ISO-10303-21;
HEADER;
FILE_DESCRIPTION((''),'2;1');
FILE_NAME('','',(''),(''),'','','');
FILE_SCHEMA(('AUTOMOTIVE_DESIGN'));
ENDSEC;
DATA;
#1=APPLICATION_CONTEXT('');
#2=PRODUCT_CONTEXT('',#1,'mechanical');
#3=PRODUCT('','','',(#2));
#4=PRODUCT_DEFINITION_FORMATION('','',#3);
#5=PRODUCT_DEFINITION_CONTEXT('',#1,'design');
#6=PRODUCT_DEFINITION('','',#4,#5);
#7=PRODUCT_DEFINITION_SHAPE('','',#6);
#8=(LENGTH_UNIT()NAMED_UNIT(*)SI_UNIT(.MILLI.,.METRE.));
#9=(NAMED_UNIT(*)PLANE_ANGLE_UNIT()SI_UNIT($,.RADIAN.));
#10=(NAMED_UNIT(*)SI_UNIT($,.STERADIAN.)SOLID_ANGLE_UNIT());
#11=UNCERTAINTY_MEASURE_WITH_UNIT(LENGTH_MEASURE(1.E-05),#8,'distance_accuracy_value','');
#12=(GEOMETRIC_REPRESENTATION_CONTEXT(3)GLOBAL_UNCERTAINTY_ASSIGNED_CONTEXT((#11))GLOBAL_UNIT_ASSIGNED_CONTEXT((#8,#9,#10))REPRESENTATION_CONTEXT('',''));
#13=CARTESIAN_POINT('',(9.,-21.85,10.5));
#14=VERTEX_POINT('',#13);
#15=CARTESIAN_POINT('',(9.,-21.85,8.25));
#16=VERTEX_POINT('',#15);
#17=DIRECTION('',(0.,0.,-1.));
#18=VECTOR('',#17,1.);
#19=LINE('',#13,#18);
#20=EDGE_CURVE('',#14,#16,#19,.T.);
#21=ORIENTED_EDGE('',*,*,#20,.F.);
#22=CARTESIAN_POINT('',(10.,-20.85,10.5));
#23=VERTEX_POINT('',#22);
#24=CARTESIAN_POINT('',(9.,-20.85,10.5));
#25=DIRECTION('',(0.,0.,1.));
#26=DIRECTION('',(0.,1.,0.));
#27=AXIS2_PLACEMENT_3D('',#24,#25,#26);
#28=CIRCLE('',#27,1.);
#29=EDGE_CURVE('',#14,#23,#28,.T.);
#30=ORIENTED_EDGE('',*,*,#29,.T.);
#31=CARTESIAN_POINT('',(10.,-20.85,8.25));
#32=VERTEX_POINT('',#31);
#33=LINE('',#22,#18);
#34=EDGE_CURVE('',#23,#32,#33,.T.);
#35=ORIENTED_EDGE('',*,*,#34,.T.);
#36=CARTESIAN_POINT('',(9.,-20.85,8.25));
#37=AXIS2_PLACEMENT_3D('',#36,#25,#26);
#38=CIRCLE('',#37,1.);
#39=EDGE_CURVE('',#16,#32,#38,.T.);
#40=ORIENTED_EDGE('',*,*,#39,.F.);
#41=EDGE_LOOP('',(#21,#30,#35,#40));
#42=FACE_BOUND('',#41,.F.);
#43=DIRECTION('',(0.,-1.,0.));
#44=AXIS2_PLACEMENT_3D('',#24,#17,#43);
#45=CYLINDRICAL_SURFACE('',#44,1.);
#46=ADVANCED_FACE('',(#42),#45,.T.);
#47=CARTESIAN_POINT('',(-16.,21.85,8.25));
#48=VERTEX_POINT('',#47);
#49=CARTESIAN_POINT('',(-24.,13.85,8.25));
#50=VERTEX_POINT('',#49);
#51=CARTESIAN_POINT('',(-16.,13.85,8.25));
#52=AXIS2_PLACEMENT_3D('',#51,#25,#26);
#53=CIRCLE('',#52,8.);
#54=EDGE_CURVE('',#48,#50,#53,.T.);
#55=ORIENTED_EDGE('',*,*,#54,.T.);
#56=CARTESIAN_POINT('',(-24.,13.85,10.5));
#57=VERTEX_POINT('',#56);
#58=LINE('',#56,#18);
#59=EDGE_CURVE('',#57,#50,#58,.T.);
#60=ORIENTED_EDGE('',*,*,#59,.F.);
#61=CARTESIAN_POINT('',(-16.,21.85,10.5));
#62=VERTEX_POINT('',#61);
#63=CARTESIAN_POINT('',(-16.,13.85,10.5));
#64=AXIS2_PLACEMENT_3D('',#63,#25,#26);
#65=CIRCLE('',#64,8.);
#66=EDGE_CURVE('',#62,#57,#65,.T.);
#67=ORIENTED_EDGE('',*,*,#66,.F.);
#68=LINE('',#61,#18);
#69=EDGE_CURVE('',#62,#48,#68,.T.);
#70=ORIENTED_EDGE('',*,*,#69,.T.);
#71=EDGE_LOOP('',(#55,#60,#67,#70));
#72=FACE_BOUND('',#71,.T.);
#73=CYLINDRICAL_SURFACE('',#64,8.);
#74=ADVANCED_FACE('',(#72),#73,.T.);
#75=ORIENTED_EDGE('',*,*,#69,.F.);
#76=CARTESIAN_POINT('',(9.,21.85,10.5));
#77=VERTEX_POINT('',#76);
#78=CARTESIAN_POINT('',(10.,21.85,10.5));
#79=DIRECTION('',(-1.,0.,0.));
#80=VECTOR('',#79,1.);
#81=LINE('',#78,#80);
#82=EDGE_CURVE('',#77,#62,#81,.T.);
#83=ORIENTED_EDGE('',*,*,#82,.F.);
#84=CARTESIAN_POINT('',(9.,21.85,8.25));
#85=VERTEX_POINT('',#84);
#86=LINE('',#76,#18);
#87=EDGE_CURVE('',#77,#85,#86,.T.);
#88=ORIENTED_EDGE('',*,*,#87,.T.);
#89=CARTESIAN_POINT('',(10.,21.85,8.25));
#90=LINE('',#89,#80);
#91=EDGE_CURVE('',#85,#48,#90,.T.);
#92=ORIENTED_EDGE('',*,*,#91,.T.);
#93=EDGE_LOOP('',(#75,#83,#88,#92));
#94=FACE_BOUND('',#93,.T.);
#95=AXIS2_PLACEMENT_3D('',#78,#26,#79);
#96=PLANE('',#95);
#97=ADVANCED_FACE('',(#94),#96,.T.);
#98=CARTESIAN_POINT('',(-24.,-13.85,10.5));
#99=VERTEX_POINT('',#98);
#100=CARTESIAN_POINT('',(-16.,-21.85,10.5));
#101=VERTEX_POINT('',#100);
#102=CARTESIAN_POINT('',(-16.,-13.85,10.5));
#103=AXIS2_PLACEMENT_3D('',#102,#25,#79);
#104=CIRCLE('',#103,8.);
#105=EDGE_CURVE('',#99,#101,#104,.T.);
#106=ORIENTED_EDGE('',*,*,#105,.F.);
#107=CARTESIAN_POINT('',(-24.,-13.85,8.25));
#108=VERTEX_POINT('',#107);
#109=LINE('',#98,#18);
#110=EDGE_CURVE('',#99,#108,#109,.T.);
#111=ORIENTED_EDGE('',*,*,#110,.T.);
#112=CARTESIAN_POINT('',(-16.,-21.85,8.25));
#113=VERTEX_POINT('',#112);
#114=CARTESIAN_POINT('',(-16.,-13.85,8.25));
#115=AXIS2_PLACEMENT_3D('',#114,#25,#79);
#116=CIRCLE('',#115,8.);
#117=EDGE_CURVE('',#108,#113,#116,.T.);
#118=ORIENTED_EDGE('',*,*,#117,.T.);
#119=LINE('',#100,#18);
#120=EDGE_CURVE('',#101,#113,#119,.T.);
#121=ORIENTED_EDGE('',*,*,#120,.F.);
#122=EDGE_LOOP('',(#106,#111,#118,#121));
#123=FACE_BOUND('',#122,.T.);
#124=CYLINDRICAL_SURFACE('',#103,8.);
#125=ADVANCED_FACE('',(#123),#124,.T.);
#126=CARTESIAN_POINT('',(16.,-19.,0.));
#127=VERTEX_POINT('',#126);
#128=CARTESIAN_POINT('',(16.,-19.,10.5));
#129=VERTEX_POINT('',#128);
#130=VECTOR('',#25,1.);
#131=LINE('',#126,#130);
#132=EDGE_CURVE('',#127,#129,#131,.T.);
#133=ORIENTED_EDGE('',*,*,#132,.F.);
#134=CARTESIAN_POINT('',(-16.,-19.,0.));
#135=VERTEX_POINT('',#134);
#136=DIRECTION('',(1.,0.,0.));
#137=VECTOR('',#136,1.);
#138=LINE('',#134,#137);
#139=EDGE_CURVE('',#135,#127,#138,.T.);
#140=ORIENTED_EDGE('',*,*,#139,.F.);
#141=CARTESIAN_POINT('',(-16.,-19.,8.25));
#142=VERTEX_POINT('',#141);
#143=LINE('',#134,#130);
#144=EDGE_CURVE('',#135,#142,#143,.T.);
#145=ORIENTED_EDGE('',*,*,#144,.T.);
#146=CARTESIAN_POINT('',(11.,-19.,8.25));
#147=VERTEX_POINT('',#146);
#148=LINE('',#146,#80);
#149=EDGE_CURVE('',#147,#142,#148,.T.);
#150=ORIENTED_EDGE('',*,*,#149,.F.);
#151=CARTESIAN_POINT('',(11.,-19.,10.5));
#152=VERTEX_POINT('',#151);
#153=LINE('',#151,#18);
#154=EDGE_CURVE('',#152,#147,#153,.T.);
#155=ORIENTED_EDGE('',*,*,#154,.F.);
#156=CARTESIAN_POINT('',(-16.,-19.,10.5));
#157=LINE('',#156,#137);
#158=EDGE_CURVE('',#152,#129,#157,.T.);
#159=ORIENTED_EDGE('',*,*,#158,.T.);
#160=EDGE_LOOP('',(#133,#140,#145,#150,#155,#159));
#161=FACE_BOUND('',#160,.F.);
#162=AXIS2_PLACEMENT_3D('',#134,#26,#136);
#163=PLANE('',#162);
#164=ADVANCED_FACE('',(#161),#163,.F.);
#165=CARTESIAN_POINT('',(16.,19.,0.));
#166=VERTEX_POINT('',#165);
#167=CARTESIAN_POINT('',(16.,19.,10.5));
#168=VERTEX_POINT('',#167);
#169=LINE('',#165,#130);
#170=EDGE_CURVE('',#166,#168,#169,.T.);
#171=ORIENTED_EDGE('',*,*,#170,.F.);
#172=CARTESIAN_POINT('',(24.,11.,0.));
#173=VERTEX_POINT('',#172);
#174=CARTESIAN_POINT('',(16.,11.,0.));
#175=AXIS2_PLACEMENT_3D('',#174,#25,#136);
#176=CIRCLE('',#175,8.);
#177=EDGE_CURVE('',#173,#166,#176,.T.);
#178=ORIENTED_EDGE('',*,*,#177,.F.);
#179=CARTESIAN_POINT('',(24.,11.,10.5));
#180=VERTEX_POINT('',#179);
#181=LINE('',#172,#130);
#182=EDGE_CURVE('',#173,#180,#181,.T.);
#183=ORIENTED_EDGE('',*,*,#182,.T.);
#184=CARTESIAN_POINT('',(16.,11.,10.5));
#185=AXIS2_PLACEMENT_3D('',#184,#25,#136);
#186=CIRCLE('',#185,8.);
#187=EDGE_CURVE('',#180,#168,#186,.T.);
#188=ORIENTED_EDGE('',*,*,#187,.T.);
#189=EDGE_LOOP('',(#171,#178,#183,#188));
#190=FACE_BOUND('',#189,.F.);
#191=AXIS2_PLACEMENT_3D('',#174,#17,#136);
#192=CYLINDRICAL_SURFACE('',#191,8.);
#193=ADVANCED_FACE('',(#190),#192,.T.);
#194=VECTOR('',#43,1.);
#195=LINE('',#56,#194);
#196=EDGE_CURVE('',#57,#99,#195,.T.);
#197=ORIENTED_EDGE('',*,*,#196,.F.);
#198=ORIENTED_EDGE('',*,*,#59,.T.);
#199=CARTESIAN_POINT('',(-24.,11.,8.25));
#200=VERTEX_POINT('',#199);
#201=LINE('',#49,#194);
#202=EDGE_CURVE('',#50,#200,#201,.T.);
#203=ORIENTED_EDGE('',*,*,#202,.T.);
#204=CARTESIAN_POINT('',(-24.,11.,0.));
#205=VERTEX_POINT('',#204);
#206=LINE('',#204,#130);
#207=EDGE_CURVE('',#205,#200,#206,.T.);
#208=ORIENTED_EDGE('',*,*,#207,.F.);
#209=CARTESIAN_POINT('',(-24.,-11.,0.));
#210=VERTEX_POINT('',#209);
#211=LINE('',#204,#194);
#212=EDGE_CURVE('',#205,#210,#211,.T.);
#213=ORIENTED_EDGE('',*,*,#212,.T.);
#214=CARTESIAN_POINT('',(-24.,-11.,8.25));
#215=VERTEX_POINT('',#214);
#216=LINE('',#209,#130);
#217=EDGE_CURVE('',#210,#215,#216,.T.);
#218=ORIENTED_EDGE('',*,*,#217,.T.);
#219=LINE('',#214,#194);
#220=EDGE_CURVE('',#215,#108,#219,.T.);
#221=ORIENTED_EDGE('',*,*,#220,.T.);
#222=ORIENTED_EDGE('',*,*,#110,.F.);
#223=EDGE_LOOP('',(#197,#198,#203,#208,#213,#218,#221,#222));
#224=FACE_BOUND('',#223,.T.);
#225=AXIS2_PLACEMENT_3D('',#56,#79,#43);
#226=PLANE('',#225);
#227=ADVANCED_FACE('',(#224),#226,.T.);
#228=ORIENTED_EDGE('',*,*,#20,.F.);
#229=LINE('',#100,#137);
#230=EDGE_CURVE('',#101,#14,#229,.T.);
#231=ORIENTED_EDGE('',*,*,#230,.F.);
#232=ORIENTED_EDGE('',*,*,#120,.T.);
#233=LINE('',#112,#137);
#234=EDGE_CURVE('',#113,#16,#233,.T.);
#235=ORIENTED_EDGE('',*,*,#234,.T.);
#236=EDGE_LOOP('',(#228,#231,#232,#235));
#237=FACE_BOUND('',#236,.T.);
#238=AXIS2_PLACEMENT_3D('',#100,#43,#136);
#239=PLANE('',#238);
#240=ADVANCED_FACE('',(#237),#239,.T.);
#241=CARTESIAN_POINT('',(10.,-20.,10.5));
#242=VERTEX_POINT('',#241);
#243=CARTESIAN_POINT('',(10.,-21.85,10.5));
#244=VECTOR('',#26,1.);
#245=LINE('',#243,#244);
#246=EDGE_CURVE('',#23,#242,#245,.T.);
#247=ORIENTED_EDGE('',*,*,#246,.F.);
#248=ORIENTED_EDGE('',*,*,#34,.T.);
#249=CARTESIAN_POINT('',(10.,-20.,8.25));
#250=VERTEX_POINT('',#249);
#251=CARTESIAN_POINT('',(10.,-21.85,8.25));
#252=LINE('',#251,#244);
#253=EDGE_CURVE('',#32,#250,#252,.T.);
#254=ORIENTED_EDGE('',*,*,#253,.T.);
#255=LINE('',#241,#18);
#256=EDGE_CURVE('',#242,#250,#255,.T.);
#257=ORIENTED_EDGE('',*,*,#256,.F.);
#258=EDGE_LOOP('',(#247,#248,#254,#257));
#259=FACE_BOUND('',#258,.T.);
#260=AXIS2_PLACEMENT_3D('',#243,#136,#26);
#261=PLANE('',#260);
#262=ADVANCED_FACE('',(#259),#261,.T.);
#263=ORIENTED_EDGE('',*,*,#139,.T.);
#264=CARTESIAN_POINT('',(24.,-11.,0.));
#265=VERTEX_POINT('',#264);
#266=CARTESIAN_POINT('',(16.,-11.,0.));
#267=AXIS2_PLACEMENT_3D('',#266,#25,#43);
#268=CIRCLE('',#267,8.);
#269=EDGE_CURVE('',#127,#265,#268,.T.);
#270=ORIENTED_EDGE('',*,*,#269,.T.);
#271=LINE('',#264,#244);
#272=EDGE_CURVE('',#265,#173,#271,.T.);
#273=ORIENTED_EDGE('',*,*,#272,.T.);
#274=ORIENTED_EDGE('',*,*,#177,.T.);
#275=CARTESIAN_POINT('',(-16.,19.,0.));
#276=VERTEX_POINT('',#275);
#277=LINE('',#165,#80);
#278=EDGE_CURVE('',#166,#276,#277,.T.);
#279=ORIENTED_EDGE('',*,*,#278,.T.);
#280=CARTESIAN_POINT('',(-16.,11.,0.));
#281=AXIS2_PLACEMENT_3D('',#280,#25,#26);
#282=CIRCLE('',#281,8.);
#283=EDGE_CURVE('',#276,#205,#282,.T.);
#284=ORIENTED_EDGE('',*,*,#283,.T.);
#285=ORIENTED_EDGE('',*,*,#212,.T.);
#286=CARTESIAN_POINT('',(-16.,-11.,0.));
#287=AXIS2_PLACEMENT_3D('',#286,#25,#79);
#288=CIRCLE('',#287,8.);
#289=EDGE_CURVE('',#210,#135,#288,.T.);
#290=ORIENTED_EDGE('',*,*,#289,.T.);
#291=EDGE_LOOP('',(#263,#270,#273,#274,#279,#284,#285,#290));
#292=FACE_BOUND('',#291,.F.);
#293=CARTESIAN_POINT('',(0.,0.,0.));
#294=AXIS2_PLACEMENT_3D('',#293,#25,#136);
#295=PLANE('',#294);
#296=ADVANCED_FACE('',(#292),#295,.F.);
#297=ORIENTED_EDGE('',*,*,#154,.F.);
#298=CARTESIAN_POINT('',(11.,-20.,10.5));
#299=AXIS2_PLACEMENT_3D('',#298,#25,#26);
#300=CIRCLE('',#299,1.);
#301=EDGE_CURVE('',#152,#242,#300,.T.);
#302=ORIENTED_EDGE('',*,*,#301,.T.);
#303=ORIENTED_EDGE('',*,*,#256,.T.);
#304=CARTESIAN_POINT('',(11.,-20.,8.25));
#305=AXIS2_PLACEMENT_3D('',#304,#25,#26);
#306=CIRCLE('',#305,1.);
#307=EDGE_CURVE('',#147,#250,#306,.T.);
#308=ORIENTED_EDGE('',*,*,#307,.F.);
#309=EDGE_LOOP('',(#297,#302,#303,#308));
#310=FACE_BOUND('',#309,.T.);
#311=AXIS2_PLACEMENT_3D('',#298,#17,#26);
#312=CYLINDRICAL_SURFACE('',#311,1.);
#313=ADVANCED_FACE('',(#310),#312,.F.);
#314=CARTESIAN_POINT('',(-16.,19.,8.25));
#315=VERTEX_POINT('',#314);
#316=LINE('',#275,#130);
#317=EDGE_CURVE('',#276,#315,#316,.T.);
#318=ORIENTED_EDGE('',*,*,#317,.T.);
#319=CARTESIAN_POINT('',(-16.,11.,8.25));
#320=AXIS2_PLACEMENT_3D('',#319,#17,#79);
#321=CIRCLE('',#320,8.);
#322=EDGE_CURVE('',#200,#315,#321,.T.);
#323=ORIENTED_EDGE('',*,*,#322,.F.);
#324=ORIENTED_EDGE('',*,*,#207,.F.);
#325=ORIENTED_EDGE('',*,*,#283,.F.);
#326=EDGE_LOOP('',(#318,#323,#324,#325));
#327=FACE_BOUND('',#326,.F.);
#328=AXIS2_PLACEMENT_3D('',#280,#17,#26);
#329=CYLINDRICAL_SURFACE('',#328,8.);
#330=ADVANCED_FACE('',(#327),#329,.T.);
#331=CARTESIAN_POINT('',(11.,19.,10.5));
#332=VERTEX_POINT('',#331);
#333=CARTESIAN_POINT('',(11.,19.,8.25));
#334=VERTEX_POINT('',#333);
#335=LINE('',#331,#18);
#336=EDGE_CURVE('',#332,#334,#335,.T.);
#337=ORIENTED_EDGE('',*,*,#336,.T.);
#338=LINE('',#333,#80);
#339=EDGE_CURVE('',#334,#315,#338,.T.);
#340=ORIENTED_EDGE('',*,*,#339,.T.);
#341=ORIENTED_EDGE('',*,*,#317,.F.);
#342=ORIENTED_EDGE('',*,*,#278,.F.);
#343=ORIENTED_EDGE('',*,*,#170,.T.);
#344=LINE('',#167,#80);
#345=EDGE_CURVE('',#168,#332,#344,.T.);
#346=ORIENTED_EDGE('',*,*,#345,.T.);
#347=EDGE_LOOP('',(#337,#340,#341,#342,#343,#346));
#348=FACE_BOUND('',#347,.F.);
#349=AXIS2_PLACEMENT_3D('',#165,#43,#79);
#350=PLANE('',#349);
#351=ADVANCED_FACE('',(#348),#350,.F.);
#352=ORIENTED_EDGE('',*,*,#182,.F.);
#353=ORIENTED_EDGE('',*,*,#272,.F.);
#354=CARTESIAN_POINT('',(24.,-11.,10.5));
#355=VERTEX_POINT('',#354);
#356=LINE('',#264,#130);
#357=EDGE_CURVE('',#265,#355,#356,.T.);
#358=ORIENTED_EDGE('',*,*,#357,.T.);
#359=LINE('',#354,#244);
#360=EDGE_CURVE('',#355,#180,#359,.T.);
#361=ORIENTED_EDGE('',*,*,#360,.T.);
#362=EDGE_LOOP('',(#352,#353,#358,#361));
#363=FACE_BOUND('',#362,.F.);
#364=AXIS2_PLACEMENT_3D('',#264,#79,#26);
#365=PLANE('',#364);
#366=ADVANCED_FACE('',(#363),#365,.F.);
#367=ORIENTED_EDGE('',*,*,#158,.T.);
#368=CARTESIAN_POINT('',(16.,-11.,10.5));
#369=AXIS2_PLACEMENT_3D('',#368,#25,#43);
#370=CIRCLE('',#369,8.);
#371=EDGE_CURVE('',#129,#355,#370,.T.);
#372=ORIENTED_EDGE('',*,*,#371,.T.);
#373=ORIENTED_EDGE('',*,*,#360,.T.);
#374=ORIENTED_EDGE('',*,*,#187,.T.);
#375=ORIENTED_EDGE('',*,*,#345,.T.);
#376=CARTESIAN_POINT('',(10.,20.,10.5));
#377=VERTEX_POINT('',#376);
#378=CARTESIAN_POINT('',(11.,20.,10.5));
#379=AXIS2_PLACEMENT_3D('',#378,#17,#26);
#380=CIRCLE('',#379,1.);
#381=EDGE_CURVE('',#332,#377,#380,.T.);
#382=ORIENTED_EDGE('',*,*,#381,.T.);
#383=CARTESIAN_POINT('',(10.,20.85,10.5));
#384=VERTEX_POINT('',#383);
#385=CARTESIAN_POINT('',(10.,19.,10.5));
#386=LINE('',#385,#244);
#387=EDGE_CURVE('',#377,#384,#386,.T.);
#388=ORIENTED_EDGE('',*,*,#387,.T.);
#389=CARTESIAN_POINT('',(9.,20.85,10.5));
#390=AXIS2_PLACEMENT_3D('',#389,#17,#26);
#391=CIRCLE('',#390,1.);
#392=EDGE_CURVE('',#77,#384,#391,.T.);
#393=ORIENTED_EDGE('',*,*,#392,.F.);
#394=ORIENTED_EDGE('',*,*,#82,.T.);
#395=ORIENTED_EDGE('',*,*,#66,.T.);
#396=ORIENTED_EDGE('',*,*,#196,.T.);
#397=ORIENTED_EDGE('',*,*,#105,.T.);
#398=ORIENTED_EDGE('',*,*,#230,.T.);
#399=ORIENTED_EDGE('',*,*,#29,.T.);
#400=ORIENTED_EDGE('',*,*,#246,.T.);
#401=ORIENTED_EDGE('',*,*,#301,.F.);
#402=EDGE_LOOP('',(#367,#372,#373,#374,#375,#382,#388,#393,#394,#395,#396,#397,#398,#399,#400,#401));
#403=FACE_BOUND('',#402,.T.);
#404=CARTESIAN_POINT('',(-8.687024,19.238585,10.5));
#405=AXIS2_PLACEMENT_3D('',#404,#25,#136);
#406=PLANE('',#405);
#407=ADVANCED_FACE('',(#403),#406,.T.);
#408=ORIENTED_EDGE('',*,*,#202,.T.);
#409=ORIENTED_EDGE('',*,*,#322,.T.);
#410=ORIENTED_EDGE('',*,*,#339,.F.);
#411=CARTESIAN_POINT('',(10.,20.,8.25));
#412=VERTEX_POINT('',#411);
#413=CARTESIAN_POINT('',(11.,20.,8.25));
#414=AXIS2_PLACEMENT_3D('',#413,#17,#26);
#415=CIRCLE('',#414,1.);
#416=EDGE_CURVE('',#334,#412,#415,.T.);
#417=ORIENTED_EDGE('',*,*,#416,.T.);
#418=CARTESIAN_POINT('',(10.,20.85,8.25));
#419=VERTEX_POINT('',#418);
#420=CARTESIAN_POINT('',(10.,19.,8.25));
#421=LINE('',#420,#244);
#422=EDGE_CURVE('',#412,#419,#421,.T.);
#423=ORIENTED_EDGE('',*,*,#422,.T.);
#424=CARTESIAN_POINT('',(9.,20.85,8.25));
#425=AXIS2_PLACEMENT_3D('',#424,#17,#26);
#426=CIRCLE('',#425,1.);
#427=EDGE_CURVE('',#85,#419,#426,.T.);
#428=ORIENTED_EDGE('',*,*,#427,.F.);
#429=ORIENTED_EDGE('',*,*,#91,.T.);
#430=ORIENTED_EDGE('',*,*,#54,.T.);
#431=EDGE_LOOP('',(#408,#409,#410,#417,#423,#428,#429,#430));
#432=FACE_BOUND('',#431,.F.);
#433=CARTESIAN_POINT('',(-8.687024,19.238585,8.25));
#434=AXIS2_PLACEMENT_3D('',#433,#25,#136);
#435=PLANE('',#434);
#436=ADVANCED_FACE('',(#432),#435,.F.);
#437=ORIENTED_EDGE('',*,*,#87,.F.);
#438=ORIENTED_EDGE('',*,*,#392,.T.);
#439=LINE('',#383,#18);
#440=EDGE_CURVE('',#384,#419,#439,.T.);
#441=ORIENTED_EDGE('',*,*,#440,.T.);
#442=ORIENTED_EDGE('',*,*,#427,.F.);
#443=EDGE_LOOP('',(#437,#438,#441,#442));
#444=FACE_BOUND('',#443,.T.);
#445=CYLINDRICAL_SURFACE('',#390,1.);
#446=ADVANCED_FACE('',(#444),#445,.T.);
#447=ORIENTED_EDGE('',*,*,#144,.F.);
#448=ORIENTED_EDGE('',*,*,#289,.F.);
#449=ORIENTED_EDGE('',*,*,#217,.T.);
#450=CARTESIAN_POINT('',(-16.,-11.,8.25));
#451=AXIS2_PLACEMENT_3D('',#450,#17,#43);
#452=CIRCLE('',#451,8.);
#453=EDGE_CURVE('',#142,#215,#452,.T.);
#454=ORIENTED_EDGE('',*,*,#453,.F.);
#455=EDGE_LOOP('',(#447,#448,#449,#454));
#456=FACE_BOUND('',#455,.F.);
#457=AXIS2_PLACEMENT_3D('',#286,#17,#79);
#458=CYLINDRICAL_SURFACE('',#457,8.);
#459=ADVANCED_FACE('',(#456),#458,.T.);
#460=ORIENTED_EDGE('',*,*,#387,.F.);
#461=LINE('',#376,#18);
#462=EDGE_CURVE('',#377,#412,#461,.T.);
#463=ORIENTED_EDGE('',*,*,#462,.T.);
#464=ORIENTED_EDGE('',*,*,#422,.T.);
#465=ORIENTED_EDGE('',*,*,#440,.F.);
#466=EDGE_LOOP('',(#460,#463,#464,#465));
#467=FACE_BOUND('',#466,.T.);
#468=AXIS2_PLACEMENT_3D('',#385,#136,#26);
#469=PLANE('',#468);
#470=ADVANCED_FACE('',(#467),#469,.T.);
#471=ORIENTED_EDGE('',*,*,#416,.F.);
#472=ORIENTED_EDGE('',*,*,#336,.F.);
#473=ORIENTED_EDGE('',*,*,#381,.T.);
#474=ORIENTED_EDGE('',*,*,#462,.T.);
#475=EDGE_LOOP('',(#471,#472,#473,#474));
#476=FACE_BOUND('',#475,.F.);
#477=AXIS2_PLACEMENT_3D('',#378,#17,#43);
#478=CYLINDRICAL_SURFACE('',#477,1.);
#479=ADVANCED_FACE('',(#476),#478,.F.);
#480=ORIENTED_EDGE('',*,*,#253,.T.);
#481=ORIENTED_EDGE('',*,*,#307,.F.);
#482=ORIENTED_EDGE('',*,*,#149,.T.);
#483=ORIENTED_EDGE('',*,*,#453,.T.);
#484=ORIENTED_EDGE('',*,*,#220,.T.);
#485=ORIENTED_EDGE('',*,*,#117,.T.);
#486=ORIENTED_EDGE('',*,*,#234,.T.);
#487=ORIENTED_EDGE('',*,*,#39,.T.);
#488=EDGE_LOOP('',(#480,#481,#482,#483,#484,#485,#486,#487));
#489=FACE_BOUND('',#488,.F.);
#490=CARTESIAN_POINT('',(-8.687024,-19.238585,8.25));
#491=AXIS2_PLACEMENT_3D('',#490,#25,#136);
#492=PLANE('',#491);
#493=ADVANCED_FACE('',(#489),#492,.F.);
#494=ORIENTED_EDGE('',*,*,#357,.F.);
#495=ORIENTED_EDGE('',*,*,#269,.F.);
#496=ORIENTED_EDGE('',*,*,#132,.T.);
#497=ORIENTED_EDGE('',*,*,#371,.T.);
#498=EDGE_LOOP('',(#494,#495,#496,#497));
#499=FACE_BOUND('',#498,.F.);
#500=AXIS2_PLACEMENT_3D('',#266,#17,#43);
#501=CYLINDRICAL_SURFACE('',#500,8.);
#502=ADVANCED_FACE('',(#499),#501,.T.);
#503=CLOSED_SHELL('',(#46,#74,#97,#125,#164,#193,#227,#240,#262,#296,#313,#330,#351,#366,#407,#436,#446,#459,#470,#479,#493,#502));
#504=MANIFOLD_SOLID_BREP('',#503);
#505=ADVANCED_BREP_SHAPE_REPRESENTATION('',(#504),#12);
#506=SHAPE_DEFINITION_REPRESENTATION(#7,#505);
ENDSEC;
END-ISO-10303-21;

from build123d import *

# Parameters (mm, degrees)
F1_DEPTH = 10.5
F3_DEPTH = 2.25
F4_R     = 1


with BuildPart() as f1:
    # F0 (on Top) → F1 (new body)
    with BuildSketch(Plane.XY):
        with BuildLine():
            Line((16, 19), (-16, 19))
            ThreePointArc((-16, 19), (-21.6568542495, 16.6568542495), (-24, 11))
            Line((-24, 11), (-24, -11))
            ThreePointArc((-24, -11), (-21.6568542495, -16.6568542495), (-16, -19))
            Line((-16, -19), (16, -19))
            ThreePointArc((16, -19), (21.6568542495, -16.6568542495), (24, -11))
            Line((24, -11), (24, 11))
            ThreePointArc((24, 11), (21.6568542495, 16.6568542495), (16, 19))
        make_face()
    extrude(amount=F1_DEPTH)

    # F2 (on face) → F3 (join)
    with BuildSketch(Plane.XY.offset(10.5)):
        with BuildLine():
            Line((10, 21.85), (-16, 21.85))
            ThreePointArc((-16, 21.85), (-21.6568542495, 19.5068542495), (-24, 13.85))
            Line((-24, 13.85), (-24, 11))
            ThreePointArc((-24, 11), (-21.6568542495, 16.6568542495), (-16, 19))
            Line((-16, 19), (10, 19))
            Line((10, 19), (10, 21.85))
        make_face()
        with BuildLine():
            Line((10, -21.85), (10, -19))
            Line((10, -19), (-16, -19))
            ThreePointArc((-16, -19), (-21.6568542495, -16.6568542495), (-24, -11))
            Line((-24, -11), (-24, -13.85))
            ThreePointArc((-24, -13.85), (-21.6568542495, -19.5068542495), (-16, -21.85))
            Line((-16, -21.85), (10, -21.85))
        make_face()
    extrude(amount=-F3_DEPTH)

    # F4
    f4_edges = [f1.edges().sort_by_distance(p)[0] for p in [
        (10, -19, 9.375),
        (10, -21.85, 9.375),
        (10, 21.85, 9.375),
        (10, 19, 9.375),
    ]]
    fillet(f4_edges, radius=F4_R)


solid = f1.part
